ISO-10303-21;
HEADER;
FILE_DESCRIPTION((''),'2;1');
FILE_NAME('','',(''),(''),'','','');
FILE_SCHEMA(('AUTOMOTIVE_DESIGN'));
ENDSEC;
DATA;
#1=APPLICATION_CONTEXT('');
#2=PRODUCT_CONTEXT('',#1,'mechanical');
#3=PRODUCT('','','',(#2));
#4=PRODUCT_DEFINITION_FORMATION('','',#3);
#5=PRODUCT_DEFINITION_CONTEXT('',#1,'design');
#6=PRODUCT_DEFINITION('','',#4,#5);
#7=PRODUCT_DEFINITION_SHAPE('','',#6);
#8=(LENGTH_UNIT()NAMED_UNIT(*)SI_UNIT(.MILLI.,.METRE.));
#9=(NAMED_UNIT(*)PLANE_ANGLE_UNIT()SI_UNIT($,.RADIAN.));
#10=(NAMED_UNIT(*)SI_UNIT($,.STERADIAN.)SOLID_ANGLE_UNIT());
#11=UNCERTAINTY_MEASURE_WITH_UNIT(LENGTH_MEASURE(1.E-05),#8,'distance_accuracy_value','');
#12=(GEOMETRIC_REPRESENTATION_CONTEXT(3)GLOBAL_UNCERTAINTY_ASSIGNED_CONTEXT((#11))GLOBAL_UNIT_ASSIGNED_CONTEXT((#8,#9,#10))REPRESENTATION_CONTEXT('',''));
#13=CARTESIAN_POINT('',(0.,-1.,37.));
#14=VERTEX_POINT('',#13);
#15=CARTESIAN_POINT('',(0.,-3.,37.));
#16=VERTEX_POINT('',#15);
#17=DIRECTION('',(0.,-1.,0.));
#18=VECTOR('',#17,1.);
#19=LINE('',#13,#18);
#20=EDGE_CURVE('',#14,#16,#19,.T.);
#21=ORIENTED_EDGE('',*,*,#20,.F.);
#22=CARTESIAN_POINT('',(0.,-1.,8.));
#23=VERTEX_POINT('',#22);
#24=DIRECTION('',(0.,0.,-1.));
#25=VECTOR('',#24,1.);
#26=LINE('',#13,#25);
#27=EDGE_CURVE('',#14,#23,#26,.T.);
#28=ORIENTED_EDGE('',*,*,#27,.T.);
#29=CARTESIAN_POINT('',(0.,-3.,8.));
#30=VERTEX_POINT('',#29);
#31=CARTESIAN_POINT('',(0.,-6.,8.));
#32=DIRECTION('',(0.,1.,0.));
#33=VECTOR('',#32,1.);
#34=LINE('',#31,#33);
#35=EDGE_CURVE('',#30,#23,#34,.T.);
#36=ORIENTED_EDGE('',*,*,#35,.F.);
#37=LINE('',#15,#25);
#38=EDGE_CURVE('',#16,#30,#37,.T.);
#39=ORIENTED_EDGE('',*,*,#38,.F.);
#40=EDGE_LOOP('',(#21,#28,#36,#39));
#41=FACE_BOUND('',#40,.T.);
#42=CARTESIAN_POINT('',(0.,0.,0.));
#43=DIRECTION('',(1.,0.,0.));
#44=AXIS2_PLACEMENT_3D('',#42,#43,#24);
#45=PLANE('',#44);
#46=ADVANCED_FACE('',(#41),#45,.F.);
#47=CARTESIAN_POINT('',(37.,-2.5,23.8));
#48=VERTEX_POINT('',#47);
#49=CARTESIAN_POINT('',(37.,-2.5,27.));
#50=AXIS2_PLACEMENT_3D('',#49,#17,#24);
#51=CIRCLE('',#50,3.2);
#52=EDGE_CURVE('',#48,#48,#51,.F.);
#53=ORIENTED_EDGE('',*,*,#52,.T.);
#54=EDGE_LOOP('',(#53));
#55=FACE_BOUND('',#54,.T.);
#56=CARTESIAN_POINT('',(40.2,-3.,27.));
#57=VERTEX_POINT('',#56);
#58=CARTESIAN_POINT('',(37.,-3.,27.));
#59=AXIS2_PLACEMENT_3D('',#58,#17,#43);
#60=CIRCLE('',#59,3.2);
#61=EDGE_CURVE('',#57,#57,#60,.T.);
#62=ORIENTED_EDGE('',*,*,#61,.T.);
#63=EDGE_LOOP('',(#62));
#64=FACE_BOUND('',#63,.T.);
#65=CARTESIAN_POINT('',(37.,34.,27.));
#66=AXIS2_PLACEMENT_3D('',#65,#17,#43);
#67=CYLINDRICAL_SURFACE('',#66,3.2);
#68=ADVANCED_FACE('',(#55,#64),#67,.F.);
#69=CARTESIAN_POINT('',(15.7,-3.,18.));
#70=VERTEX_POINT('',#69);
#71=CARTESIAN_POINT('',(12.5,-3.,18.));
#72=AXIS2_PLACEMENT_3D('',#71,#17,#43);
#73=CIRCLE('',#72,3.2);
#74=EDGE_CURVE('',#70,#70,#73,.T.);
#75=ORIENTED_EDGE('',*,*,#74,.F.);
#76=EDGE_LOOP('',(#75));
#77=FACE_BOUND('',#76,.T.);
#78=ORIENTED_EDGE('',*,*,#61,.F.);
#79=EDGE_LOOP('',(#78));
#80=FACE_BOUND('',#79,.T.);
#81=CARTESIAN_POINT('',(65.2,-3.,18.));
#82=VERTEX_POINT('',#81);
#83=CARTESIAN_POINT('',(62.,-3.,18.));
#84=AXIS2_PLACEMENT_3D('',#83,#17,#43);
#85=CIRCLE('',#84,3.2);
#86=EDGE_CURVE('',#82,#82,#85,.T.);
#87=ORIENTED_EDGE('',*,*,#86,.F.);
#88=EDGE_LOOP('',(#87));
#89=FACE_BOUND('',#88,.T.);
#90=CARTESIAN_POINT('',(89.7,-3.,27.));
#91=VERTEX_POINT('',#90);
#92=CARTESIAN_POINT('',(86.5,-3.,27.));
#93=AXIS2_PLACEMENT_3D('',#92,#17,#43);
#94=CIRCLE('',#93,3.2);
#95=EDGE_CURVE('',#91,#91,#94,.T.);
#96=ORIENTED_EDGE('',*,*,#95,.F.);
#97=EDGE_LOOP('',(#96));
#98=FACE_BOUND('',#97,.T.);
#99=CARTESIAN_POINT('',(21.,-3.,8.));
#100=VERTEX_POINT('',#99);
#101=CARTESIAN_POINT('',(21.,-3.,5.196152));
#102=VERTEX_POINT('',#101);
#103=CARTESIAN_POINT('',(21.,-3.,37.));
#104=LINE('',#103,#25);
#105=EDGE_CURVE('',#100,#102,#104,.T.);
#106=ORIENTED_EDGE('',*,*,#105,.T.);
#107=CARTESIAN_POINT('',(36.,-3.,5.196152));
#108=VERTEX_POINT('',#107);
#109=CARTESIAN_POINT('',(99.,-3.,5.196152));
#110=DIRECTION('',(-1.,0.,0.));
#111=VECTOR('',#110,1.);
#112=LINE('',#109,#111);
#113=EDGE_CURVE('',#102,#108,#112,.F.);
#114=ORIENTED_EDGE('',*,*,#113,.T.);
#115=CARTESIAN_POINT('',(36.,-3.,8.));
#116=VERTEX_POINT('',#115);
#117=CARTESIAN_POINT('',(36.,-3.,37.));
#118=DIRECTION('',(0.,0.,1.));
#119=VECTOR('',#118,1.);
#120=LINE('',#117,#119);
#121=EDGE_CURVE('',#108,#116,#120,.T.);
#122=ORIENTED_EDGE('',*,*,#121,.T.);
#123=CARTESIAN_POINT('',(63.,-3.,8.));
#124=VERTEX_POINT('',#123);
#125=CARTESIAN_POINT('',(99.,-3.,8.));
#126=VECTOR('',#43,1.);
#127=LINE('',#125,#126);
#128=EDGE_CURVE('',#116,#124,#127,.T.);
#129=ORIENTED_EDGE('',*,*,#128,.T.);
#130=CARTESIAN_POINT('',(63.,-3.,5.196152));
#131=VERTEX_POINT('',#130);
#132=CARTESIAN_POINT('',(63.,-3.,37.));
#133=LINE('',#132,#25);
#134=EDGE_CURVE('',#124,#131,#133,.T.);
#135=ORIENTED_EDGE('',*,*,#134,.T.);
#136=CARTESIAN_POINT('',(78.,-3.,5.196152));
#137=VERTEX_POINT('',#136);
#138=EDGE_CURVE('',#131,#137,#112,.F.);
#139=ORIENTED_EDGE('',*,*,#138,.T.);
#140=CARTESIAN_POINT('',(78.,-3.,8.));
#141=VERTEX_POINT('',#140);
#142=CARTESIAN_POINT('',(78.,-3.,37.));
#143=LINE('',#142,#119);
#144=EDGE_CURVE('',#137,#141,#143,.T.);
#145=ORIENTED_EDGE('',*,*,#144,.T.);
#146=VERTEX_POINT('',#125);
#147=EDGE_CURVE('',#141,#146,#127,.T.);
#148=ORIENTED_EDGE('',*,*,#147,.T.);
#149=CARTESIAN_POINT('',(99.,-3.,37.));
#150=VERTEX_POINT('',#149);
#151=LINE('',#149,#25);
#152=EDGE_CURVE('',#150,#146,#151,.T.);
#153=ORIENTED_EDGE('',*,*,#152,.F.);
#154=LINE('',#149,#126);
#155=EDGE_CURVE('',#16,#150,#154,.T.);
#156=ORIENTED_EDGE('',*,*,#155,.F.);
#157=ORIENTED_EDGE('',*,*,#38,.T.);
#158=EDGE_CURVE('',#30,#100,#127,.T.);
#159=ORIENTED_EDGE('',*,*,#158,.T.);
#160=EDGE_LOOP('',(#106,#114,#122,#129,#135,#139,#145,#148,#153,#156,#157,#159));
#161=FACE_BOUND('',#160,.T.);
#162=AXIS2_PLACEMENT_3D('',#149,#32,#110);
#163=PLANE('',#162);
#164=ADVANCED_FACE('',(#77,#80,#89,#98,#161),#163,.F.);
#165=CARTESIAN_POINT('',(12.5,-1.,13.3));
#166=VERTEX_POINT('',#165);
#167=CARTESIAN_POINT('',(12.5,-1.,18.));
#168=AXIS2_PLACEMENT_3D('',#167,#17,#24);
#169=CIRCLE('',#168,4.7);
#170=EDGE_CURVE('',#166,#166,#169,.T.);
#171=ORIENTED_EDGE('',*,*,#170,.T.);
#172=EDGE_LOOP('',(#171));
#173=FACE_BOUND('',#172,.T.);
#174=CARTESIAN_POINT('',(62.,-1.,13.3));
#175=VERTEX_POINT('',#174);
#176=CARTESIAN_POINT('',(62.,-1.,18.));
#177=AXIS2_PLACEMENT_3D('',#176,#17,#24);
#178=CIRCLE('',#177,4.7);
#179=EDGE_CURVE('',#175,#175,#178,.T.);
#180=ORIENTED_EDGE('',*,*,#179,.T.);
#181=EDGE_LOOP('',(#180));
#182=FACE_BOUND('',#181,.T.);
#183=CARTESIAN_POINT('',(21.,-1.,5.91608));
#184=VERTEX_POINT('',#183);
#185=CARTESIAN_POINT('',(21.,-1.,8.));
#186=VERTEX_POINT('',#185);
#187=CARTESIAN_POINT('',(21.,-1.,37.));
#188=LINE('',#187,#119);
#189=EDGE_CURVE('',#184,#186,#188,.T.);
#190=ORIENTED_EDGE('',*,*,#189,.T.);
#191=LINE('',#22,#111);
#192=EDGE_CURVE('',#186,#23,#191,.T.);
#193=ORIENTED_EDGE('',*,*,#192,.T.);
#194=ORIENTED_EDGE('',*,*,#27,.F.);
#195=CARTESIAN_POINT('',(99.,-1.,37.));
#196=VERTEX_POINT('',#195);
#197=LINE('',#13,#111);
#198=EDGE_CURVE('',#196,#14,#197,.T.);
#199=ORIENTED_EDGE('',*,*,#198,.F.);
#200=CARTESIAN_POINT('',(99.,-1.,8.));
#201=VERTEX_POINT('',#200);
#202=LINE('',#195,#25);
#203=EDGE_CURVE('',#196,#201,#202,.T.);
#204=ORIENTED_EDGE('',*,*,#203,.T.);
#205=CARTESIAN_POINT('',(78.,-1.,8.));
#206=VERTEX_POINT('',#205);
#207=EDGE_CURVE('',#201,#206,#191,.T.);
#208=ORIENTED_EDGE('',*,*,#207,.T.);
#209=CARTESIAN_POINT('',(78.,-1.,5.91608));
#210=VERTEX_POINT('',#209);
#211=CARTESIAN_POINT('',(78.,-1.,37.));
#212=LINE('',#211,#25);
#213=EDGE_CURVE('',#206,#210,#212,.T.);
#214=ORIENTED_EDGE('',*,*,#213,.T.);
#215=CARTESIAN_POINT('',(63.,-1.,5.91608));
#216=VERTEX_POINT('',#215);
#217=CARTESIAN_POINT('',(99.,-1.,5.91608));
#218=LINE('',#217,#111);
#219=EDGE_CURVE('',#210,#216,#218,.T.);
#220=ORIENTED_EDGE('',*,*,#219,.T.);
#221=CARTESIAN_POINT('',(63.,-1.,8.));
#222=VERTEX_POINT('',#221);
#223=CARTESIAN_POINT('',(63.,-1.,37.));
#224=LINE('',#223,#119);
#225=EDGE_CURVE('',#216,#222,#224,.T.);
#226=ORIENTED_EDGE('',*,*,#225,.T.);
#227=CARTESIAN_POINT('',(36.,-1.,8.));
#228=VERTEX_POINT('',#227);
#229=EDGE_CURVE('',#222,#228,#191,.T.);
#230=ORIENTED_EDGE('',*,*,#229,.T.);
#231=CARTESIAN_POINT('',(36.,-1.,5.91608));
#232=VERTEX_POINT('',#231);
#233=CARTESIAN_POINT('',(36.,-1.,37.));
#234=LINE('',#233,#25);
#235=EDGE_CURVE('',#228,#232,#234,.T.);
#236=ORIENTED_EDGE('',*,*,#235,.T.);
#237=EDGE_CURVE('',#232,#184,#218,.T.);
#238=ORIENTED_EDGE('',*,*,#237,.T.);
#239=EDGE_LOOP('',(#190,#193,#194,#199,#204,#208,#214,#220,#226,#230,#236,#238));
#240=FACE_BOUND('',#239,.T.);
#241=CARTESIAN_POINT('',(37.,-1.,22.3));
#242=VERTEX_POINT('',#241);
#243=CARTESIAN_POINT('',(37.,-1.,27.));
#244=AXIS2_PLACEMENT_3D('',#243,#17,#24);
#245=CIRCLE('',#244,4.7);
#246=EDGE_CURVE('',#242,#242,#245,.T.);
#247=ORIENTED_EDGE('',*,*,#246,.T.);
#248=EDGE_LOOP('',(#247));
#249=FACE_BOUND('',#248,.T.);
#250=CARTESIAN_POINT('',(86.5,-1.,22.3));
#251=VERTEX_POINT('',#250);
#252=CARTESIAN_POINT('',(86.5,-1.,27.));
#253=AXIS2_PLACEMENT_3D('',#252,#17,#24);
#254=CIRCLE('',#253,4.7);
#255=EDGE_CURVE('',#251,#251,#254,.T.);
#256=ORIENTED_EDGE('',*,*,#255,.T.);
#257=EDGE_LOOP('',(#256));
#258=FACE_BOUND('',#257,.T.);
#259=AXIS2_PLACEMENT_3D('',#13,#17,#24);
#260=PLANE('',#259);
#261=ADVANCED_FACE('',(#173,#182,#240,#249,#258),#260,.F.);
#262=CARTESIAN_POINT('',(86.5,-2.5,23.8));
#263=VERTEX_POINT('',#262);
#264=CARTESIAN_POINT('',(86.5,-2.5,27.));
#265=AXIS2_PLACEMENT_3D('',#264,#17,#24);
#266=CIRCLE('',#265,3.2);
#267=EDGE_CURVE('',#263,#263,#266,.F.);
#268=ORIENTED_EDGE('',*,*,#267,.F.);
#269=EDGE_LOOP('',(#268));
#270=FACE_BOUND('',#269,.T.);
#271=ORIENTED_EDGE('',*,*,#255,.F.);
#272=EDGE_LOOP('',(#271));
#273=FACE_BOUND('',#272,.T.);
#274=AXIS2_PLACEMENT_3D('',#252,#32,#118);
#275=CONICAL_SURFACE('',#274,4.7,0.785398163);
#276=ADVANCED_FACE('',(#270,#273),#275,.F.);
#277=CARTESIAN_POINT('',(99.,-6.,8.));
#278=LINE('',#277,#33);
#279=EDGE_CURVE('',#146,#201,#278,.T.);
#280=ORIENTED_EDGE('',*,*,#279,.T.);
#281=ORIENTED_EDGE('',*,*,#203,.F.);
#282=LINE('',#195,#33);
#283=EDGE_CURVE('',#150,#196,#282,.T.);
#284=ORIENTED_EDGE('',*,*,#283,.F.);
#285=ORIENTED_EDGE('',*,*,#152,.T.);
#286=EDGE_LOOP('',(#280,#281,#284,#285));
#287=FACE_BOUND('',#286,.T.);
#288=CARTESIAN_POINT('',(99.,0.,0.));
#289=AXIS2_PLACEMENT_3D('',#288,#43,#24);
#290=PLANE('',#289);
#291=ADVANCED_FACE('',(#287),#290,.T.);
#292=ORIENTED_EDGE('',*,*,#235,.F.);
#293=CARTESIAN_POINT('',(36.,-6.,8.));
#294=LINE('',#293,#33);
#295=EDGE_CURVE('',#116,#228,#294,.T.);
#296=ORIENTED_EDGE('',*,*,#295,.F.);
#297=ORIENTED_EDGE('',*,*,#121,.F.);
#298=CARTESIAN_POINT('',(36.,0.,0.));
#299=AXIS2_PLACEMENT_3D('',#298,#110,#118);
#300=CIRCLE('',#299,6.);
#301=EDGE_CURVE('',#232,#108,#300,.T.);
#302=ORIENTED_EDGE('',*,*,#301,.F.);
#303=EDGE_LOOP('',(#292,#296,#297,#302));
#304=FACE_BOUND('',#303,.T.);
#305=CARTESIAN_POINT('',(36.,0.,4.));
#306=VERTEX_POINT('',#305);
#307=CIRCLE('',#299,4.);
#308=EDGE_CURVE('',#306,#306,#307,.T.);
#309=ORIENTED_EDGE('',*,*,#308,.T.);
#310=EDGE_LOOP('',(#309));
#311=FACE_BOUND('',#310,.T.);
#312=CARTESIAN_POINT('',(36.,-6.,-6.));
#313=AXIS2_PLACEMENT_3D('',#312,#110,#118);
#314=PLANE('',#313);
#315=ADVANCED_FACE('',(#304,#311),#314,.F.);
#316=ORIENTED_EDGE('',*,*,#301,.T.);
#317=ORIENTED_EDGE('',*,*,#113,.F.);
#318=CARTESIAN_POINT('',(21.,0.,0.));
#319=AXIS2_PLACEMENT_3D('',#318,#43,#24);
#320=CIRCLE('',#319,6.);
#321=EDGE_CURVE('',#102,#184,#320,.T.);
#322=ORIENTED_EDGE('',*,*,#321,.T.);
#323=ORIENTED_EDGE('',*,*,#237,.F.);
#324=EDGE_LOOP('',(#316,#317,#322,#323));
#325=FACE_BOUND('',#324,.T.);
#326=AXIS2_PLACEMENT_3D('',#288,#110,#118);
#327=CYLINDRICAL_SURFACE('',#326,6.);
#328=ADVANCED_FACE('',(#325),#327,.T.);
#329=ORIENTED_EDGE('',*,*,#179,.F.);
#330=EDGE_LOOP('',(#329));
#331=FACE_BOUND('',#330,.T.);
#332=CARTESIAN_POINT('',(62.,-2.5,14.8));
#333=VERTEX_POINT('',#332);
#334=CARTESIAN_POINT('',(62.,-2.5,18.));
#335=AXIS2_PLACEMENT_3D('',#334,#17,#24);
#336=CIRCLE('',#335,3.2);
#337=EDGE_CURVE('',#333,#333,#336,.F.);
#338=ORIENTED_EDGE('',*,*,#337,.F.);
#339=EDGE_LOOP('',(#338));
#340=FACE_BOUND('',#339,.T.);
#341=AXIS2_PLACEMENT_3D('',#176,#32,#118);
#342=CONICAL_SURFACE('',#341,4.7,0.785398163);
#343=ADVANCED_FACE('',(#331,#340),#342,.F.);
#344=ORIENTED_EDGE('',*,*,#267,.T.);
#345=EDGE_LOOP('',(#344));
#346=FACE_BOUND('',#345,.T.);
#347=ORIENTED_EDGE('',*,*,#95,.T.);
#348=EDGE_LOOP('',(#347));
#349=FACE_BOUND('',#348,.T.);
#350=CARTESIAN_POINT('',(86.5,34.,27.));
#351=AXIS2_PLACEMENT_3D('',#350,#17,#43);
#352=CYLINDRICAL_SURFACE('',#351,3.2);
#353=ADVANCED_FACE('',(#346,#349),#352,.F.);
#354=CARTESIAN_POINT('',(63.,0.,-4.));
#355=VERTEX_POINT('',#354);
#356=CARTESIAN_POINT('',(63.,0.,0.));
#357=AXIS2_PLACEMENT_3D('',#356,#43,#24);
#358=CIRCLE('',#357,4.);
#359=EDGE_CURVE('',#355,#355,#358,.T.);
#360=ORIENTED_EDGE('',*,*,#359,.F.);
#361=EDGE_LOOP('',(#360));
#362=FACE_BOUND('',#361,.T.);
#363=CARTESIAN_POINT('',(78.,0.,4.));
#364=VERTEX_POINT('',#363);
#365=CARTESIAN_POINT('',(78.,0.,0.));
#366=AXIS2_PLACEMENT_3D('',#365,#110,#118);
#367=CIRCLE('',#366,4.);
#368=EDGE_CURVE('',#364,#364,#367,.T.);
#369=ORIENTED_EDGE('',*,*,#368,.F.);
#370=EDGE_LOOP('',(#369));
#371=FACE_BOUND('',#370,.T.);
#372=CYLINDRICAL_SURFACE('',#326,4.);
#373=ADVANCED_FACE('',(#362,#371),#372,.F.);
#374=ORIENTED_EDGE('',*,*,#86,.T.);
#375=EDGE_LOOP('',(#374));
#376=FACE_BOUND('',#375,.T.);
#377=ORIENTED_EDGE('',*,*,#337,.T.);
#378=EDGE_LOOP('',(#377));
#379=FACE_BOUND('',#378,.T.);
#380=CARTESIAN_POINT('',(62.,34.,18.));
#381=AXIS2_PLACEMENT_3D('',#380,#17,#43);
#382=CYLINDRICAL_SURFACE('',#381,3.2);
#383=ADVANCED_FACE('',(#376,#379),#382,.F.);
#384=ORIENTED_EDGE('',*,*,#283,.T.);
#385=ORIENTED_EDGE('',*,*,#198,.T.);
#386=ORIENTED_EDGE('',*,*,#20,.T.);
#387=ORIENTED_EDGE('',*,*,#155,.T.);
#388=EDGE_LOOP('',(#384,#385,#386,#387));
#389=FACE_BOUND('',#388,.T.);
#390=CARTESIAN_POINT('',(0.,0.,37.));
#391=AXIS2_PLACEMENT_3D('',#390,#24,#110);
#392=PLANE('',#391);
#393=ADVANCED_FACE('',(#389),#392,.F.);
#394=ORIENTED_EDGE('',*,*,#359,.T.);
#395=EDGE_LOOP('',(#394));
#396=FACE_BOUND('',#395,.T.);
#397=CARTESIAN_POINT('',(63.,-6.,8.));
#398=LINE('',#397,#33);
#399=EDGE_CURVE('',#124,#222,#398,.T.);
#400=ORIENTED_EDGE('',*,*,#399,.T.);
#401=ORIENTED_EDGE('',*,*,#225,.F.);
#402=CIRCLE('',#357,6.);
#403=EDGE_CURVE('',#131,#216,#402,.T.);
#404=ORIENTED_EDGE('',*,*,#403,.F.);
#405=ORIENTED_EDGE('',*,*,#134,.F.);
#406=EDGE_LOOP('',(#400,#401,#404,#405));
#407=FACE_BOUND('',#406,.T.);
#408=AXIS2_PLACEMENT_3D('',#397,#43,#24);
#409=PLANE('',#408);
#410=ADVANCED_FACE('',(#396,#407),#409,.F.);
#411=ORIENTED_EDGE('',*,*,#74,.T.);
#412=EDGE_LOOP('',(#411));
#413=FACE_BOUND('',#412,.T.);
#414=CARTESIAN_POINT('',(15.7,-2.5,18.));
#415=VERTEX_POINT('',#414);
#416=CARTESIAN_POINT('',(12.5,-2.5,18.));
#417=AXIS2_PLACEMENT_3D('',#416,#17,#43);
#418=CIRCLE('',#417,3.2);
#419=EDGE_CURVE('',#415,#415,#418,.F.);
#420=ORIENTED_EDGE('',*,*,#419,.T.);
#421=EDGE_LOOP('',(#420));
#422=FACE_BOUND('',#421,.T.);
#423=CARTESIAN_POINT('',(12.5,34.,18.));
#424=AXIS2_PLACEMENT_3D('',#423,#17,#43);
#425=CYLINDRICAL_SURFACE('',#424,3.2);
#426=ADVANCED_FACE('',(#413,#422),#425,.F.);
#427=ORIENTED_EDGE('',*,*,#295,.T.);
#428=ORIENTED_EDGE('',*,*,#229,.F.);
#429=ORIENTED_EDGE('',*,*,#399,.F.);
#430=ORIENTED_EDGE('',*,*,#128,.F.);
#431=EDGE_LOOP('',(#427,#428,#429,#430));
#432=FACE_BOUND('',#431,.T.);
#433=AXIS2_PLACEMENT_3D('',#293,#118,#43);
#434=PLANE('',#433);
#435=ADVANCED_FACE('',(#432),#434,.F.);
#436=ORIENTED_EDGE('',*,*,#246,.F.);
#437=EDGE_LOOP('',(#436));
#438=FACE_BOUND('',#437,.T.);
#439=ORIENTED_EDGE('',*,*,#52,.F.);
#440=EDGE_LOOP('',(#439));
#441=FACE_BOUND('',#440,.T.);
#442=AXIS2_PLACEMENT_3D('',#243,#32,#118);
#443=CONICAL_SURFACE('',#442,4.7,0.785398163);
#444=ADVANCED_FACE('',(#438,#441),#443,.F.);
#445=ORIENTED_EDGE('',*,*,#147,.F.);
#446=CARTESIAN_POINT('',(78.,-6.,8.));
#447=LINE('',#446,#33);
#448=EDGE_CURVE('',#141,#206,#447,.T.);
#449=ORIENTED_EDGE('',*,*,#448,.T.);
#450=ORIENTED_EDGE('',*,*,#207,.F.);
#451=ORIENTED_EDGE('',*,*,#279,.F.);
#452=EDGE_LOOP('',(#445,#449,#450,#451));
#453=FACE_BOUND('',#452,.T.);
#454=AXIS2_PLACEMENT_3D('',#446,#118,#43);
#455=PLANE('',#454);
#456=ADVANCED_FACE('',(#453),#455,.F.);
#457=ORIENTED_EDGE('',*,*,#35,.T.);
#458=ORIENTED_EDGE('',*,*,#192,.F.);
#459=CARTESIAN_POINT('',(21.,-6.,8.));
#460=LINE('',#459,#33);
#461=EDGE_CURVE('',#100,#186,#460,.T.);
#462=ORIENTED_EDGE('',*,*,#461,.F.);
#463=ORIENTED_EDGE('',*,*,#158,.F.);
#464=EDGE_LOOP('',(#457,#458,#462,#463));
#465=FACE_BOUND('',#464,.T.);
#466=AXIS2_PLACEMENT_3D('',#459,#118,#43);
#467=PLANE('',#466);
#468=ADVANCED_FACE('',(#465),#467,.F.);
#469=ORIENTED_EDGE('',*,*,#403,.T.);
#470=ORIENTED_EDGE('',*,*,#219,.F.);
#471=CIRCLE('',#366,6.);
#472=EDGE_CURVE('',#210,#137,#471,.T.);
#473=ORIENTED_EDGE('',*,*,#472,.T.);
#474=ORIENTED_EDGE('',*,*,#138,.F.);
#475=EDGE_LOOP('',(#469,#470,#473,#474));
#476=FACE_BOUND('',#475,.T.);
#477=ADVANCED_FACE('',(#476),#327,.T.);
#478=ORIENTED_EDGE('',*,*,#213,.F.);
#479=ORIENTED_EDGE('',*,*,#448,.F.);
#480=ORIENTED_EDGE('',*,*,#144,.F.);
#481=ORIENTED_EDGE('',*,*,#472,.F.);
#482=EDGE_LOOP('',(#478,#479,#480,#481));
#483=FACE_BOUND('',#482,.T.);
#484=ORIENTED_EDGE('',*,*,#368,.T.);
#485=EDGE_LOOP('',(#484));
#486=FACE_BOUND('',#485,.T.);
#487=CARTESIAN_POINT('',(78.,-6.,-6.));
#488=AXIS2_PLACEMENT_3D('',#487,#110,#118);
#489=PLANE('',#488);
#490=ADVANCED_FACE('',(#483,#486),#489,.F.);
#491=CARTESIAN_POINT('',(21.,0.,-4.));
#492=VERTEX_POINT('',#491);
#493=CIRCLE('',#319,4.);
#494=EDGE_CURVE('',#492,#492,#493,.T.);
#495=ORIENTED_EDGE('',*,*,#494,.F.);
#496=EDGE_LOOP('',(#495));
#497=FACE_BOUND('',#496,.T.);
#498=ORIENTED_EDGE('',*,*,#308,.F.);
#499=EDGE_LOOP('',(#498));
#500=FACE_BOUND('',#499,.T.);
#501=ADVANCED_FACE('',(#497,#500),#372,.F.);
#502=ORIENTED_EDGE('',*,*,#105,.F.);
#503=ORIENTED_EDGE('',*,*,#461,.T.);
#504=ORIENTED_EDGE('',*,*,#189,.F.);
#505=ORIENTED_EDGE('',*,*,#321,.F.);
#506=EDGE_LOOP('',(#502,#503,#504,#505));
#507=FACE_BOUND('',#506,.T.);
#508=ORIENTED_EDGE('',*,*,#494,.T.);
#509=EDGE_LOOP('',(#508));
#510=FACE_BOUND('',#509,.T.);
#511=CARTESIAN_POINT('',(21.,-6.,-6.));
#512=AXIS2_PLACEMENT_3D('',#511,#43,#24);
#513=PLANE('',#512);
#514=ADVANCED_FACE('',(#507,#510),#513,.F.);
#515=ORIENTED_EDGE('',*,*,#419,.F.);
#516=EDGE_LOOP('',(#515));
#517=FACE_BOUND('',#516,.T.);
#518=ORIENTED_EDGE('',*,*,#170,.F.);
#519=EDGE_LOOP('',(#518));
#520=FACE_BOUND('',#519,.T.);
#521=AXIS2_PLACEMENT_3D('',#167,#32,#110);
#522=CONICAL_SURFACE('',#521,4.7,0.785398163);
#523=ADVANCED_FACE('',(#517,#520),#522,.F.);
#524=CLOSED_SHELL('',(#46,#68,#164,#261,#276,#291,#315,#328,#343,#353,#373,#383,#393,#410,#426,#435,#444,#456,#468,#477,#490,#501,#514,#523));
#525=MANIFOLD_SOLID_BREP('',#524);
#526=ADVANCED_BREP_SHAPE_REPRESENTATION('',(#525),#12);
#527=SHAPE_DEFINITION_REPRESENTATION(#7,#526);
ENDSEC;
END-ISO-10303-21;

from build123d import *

# Parameters (mm, degrees)
SKETCH_1_R               = 6
SKETCH_1_R_2             = 4
EXTRUDE_1_DEPTH          = 99
SKETCH_2_W               = 99
SKETCH_2_H               = 2
EXTRUDE_2_DEPTH          = 37
SKETCH_3_R               = 4
CUT_EXTRUDE_1_DEPTH      = 106.858395983
SKETCH_7_R               = 3.2
CUT_EXTRUDE_8_DEPTH      = 37
CUT_EXTRUDE_9_DEPTH      = 106.919780967
CUT_EXTRUDE_9_DEPTH_BACK = 106.919780967
SKETCH_8_W               = 21
SKETCH_8_H               = 14
SKETCH_8_W_2             = 27
CHAMFER_2_SIZE           = 1.5


with BuildPart() as part:
    # 草图1 → 凸台-拉伸1 (new body)
    with BuildSketch(Plane(origin=(0, 0, 0), x_dir=(0, 0, -1), z_dir=(1, 0, 0))):
        Circle(SKETCH_1_R)
        Circle(SKETCH_1_R_2, mode=Mode.SUBTRACT)
    extrude(amount=EXTRUDE_1_DEPTH)

    # 草图2 → 凸台-拉伸2 (add)
    with BuildSketch(Plane.XY):
        with Locations((49.5, -2)):
            Rectangle(SKETCH_2_W, SKETCH_2_H)
    extrude(amount=EXTRUDE_2_DEPTH)

    # 草图3 → 切除-拉伸1 (cut, through all)
    with BuildSketch(Plane.ZY):
        with Locations(Location((0, 0, 0), (0, 0, 180))):
            Circle(SKETCH_3_R)
    extrude(amount=-CUT_EXTRUDE_1_DEPTH, mode=Mode.SUBTRACT)

    # 草图7 → 切除-拉伸8 (cut)
    with BuildSketch(Plane.XZ.offset(3)):
        with Locations((12.5, 18)):
            Circle(SKETCH_7_R)
        with Locations((37, 27)):
            Circle(SKETCH_7_R)
        with Locations((62, 18)):
            Circle(SKETCH_7_R)
        with Locations((86.5, 27)):
            Circle(SKETCH_7_R)
    extrude(amount=-CUT_EXTRUDE_8_DEPTH, mode=Mode.SUBTRACT)

    # 草图8 → 切除-拉伸9 (cut, two sides: drawn at the far end of the back side and taken through both)
    with BuildSketch(Plane(origin=(0, -1, 0), x_dir=(1, 0, 0), z_dir=(0, 1, 0)).offset(-CUT_EXTRUDE_9_DEPTH_BACK)):
        with Locations((10.5, -1)):
            Rectangle(SKETCH_8_W, SKETCH_8_H)
        with Locations((49.5, -1)):
            Rectangle(SKETCH_8_W_2, SKETCH_8_H)
        with Locations((88.5, -1)):
            Rectangle(SKETCH_8_W, SKETCH_8_H)
    extrude(amount=CUT_EXTRUDE_9_DEPTH + CUT_EXTRUDE_9_DEPTH_BACK, mode=Mode.SUBTRACT)

    # 倒角2
    chamfer_2_edges = [part.edges().sort_by_distance(p)[0] for p in [
        (9.3, -1, 18),
        (33.8, -1, 27),
        (58.8, -1, 18),
        (83.3, -1, 27),
    ]]
    chamfer(chamfer_2_edges, length=CHAMFER_2_SIZE)


solid = part.part
